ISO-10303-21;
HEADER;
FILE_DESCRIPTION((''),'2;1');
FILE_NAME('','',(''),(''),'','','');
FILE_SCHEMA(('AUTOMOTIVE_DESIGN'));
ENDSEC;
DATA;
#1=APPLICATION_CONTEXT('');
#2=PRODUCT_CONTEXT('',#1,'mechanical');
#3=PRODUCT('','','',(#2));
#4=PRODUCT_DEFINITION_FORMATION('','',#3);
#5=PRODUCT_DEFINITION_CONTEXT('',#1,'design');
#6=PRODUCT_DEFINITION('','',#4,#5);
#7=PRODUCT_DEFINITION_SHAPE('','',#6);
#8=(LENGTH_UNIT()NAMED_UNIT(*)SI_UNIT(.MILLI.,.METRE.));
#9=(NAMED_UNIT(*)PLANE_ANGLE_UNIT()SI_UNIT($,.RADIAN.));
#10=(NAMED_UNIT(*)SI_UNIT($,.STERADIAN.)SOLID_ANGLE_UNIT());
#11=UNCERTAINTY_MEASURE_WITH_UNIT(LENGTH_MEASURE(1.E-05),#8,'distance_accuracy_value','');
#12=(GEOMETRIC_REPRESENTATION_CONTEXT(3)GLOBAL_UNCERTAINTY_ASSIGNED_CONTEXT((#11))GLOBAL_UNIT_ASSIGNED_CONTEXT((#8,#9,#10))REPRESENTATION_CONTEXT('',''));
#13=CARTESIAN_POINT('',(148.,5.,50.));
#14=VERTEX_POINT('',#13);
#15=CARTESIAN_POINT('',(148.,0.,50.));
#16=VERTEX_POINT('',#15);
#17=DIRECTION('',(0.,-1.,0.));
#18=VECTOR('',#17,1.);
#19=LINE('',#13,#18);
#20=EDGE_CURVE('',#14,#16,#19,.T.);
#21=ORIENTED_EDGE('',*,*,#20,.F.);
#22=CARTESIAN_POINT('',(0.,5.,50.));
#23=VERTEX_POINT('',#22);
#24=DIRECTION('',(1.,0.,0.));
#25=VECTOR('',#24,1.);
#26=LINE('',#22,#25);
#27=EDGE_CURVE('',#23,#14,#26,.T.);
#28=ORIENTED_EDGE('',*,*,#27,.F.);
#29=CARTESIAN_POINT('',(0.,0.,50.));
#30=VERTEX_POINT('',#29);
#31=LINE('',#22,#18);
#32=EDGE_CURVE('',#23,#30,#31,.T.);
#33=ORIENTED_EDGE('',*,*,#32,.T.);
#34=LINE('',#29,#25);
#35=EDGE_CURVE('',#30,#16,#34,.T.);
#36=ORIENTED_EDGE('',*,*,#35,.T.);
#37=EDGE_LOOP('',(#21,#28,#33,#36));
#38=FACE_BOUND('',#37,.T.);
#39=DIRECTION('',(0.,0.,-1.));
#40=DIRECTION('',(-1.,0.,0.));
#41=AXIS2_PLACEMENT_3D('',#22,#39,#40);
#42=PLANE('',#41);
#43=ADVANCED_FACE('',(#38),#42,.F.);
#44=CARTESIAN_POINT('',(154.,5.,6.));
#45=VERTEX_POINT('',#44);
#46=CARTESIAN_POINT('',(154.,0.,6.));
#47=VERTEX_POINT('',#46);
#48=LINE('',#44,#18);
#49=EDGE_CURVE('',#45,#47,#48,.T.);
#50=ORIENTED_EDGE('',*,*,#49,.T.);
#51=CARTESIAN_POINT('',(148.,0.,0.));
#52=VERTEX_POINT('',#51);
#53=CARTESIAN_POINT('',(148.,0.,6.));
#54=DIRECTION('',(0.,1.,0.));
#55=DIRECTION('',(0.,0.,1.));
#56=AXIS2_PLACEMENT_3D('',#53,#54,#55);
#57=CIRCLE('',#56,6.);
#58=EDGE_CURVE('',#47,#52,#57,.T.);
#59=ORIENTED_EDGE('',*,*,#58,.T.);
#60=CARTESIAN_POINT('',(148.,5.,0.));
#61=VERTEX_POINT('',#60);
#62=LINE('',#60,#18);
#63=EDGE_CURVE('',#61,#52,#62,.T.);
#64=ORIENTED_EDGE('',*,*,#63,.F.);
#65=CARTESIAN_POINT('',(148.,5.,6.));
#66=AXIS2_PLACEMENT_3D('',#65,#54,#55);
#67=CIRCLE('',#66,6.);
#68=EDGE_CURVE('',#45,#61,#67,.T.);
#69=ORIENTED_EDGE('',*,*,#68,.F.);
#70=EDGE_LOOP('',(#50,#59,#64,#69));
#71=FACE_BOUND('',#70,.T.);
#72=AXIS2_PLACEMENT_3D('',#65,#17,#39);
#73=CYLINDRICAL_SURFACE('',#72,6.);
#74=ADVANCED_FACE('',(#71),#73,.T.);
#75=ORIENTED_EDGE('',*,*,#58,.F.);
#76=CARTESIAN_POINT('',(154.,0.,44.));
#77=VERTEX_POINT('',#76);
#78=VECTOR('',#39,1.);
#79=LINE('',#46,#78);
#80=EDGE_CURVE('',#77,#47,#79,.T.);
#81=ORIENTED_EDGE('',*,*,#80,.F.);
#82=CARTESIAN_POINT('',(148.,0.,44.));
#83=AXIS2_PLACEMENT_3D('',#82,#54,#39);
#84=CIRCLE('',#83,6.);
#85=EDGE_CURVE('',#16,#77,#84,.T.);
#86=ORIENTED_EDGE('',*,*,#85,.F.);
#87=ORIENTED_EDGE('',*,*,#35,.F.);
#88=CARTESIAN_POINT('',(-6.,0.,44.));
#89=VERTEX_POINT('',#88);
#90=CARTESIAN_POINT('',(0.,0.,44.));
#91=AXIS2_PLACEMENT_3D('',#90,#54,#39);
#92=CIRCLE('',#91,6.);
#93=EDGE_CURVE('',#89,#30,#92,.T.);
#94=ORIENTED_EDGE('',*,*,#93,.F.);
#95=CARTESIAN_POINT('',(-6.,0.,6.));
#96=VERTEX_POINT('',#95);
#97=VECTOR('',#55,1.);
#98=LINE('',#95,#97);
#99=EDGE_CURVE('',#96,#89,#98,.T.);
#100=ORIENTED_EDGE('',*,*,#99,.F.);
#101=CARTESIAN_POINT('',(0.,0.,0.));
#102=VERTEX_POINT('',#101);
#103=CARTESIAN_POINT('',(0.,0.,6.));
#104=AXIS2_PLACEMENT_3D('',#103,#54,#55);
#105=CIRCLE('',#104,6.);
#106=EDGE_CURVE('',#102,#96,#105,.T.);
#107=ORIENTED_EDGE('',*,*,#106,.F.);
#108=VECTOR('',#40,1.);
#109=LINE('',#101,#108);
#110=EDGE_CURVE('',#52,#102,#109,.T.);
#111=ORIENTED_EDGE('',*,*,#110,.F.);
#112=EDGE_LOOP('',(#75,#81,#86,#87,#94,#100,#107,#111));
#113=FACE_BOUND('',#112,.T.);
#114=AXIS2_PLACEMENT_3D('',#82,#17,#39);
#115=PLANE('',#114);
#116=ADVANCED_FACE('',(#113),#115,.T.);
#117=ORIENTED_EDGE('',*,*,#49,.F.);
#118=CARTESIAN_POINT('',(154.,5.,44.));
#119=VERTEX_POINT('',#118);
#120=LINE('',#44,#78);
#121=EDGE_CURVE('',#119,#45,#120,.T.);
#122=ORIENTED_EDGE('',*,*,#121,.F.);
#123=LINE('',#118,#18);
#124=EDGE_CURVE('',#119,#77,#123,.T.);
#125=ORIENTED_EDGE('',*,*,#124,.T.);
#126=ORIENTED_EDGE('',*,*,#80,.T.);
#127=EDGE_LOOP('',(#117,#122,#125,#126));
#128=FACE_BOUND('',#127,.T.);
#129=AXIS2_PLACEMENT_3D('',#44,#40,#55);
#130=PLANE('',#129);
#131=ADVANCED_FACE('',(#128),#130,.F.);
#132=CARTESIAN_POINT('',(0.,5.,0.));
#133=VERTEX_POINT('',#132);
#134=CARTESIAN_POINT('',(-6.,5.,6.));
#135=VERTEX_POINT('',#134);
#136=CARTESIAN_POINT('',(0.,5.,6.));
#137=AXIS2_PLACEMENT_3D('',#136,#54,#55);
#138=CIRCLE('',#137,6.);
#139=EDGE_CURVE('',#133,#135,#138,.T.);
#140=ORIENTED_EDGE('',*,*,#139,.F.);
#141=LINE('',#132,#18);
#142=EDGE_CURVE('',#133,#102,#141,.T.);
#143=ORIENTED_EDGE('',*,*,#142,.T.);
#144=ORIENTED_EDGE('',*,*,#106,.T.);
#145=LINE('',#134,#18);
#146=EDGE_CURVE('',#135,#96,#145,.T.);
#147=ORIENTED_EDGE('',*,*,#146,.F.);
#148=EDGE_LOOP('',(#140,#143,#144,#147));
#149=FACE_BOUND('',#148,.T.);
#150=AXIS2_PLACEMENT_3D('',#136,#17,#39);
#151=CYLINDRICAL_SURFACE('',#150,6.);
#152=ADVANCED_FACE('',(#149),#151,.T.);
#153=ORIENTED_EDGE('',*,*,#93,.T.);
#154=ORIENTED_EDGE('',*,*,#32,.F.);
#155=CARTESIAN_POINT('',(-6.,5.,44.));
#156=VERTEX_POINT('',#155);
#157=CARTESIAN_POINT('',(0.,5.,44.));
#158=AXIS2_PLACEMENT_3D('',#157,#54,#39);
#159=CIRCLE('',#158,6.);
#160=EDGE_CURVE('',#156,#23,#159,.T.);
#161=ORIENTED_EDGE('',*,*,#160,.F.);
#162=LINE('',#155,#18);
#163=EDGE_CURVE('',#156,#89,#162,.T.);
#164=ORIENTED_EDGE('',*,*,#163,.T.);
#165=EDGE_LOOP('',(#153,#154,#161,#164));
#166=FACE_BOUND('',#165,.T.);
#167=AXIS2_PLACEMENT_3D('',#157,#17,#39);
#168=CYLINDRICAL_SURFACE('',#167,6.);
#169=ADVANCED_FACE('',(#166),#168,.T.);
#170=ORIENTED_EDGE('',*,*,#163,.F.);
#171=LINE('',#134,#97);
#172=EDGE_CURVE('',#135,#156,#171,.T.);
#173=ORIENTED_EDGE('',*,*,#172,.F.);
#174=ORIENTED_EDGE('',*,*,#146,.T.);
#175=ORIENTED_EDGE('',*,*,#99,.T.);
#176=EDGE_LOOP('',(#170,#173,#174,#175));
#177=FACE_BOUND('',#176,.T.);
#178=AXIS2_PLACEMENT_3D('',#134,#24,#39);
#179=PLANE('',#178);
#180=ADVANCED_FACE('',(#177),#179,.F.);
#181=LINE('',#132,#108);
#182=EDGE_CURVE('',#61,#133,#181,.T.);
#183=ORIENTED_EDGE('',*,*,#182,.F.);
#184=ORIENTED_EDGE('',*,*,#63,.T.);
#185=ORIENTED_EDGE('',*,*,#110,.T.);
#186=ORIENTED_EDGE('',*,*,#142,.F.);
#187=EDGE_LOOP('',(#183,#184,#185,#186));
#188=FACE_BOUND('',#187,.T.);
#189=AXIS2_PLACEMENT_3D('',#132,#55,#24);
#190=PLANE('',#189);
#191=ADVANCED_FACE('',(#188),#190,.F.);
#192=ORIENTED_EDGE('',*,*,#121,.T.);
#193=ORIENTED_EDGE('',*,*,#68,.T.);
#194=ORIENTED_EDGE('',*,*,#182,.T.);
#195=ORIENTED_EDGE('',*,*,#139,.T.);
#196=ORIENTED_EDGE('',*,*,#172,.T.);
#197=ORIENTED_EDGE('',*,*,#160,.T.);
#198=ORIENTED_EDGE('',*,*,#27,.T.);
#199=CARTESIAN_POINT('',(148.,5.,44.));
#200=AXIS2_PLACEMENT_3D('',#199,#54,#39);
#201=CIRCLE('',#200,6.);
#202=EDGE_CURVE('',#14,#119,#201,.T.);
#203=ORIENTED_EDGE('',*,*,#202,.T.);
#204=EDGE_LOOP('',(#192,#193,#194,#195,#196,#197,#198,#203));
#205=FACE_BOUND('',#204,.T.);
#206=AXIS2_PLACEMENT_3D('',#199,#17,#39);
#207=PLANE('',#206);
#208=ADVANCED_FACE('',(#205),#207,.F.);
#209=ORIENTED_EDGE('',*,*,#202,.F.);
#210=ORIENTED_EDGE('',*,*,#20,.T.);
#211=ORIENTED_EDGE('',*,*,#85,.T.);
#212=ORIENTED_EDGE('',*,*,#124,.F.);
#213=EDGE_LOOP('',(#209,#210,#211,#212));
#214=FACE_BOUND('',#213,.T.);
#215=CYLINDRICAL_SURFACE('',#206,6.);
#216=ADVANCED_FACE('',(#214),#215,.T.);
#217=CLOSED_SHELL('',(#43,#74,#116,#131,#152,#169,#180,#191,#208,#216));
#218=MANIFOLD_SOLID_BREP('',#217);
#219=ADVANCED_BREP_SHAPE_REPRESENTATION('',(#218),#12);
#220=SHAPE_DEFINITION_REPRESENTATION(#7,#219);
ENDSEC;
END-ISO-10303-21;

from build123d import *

# Parameters (mm, degrees)
BOSS_EXTRUDE1_DEPTH = 5


with BuildPart() as part:
    # Sketch1 → Boss-Extrude1 (new body)
    with BuildSketch(Plane(origin=(0, 0, 0), x_dir=(1, 0, 0), z_dir=(0, 1, 0))):
        with BuildLine():
            Line((0, 0), (148, 0))
            ThreePointArc((148, 0), (152.242640687, -1.757359313), (154, -6))
            Line((154, -6), (154, -44))
            ThreePointArc((154, -44), (152.242640687, -48.242640687), (148, -50))
            Line((148, -50), (0, -50))
            ThreePointArc((0, -50), (-4.242640687, -48.242640687), (-6, -44))
            Line((-6, -44), (-6, -6))
            ThreePointArc((-6, -6), (-4.242640687, -1.757359313), (0, 0))
        make_face()
    extrude(amount=BOSS_EXTRUDE1_DEPTH)


solid = part.part
